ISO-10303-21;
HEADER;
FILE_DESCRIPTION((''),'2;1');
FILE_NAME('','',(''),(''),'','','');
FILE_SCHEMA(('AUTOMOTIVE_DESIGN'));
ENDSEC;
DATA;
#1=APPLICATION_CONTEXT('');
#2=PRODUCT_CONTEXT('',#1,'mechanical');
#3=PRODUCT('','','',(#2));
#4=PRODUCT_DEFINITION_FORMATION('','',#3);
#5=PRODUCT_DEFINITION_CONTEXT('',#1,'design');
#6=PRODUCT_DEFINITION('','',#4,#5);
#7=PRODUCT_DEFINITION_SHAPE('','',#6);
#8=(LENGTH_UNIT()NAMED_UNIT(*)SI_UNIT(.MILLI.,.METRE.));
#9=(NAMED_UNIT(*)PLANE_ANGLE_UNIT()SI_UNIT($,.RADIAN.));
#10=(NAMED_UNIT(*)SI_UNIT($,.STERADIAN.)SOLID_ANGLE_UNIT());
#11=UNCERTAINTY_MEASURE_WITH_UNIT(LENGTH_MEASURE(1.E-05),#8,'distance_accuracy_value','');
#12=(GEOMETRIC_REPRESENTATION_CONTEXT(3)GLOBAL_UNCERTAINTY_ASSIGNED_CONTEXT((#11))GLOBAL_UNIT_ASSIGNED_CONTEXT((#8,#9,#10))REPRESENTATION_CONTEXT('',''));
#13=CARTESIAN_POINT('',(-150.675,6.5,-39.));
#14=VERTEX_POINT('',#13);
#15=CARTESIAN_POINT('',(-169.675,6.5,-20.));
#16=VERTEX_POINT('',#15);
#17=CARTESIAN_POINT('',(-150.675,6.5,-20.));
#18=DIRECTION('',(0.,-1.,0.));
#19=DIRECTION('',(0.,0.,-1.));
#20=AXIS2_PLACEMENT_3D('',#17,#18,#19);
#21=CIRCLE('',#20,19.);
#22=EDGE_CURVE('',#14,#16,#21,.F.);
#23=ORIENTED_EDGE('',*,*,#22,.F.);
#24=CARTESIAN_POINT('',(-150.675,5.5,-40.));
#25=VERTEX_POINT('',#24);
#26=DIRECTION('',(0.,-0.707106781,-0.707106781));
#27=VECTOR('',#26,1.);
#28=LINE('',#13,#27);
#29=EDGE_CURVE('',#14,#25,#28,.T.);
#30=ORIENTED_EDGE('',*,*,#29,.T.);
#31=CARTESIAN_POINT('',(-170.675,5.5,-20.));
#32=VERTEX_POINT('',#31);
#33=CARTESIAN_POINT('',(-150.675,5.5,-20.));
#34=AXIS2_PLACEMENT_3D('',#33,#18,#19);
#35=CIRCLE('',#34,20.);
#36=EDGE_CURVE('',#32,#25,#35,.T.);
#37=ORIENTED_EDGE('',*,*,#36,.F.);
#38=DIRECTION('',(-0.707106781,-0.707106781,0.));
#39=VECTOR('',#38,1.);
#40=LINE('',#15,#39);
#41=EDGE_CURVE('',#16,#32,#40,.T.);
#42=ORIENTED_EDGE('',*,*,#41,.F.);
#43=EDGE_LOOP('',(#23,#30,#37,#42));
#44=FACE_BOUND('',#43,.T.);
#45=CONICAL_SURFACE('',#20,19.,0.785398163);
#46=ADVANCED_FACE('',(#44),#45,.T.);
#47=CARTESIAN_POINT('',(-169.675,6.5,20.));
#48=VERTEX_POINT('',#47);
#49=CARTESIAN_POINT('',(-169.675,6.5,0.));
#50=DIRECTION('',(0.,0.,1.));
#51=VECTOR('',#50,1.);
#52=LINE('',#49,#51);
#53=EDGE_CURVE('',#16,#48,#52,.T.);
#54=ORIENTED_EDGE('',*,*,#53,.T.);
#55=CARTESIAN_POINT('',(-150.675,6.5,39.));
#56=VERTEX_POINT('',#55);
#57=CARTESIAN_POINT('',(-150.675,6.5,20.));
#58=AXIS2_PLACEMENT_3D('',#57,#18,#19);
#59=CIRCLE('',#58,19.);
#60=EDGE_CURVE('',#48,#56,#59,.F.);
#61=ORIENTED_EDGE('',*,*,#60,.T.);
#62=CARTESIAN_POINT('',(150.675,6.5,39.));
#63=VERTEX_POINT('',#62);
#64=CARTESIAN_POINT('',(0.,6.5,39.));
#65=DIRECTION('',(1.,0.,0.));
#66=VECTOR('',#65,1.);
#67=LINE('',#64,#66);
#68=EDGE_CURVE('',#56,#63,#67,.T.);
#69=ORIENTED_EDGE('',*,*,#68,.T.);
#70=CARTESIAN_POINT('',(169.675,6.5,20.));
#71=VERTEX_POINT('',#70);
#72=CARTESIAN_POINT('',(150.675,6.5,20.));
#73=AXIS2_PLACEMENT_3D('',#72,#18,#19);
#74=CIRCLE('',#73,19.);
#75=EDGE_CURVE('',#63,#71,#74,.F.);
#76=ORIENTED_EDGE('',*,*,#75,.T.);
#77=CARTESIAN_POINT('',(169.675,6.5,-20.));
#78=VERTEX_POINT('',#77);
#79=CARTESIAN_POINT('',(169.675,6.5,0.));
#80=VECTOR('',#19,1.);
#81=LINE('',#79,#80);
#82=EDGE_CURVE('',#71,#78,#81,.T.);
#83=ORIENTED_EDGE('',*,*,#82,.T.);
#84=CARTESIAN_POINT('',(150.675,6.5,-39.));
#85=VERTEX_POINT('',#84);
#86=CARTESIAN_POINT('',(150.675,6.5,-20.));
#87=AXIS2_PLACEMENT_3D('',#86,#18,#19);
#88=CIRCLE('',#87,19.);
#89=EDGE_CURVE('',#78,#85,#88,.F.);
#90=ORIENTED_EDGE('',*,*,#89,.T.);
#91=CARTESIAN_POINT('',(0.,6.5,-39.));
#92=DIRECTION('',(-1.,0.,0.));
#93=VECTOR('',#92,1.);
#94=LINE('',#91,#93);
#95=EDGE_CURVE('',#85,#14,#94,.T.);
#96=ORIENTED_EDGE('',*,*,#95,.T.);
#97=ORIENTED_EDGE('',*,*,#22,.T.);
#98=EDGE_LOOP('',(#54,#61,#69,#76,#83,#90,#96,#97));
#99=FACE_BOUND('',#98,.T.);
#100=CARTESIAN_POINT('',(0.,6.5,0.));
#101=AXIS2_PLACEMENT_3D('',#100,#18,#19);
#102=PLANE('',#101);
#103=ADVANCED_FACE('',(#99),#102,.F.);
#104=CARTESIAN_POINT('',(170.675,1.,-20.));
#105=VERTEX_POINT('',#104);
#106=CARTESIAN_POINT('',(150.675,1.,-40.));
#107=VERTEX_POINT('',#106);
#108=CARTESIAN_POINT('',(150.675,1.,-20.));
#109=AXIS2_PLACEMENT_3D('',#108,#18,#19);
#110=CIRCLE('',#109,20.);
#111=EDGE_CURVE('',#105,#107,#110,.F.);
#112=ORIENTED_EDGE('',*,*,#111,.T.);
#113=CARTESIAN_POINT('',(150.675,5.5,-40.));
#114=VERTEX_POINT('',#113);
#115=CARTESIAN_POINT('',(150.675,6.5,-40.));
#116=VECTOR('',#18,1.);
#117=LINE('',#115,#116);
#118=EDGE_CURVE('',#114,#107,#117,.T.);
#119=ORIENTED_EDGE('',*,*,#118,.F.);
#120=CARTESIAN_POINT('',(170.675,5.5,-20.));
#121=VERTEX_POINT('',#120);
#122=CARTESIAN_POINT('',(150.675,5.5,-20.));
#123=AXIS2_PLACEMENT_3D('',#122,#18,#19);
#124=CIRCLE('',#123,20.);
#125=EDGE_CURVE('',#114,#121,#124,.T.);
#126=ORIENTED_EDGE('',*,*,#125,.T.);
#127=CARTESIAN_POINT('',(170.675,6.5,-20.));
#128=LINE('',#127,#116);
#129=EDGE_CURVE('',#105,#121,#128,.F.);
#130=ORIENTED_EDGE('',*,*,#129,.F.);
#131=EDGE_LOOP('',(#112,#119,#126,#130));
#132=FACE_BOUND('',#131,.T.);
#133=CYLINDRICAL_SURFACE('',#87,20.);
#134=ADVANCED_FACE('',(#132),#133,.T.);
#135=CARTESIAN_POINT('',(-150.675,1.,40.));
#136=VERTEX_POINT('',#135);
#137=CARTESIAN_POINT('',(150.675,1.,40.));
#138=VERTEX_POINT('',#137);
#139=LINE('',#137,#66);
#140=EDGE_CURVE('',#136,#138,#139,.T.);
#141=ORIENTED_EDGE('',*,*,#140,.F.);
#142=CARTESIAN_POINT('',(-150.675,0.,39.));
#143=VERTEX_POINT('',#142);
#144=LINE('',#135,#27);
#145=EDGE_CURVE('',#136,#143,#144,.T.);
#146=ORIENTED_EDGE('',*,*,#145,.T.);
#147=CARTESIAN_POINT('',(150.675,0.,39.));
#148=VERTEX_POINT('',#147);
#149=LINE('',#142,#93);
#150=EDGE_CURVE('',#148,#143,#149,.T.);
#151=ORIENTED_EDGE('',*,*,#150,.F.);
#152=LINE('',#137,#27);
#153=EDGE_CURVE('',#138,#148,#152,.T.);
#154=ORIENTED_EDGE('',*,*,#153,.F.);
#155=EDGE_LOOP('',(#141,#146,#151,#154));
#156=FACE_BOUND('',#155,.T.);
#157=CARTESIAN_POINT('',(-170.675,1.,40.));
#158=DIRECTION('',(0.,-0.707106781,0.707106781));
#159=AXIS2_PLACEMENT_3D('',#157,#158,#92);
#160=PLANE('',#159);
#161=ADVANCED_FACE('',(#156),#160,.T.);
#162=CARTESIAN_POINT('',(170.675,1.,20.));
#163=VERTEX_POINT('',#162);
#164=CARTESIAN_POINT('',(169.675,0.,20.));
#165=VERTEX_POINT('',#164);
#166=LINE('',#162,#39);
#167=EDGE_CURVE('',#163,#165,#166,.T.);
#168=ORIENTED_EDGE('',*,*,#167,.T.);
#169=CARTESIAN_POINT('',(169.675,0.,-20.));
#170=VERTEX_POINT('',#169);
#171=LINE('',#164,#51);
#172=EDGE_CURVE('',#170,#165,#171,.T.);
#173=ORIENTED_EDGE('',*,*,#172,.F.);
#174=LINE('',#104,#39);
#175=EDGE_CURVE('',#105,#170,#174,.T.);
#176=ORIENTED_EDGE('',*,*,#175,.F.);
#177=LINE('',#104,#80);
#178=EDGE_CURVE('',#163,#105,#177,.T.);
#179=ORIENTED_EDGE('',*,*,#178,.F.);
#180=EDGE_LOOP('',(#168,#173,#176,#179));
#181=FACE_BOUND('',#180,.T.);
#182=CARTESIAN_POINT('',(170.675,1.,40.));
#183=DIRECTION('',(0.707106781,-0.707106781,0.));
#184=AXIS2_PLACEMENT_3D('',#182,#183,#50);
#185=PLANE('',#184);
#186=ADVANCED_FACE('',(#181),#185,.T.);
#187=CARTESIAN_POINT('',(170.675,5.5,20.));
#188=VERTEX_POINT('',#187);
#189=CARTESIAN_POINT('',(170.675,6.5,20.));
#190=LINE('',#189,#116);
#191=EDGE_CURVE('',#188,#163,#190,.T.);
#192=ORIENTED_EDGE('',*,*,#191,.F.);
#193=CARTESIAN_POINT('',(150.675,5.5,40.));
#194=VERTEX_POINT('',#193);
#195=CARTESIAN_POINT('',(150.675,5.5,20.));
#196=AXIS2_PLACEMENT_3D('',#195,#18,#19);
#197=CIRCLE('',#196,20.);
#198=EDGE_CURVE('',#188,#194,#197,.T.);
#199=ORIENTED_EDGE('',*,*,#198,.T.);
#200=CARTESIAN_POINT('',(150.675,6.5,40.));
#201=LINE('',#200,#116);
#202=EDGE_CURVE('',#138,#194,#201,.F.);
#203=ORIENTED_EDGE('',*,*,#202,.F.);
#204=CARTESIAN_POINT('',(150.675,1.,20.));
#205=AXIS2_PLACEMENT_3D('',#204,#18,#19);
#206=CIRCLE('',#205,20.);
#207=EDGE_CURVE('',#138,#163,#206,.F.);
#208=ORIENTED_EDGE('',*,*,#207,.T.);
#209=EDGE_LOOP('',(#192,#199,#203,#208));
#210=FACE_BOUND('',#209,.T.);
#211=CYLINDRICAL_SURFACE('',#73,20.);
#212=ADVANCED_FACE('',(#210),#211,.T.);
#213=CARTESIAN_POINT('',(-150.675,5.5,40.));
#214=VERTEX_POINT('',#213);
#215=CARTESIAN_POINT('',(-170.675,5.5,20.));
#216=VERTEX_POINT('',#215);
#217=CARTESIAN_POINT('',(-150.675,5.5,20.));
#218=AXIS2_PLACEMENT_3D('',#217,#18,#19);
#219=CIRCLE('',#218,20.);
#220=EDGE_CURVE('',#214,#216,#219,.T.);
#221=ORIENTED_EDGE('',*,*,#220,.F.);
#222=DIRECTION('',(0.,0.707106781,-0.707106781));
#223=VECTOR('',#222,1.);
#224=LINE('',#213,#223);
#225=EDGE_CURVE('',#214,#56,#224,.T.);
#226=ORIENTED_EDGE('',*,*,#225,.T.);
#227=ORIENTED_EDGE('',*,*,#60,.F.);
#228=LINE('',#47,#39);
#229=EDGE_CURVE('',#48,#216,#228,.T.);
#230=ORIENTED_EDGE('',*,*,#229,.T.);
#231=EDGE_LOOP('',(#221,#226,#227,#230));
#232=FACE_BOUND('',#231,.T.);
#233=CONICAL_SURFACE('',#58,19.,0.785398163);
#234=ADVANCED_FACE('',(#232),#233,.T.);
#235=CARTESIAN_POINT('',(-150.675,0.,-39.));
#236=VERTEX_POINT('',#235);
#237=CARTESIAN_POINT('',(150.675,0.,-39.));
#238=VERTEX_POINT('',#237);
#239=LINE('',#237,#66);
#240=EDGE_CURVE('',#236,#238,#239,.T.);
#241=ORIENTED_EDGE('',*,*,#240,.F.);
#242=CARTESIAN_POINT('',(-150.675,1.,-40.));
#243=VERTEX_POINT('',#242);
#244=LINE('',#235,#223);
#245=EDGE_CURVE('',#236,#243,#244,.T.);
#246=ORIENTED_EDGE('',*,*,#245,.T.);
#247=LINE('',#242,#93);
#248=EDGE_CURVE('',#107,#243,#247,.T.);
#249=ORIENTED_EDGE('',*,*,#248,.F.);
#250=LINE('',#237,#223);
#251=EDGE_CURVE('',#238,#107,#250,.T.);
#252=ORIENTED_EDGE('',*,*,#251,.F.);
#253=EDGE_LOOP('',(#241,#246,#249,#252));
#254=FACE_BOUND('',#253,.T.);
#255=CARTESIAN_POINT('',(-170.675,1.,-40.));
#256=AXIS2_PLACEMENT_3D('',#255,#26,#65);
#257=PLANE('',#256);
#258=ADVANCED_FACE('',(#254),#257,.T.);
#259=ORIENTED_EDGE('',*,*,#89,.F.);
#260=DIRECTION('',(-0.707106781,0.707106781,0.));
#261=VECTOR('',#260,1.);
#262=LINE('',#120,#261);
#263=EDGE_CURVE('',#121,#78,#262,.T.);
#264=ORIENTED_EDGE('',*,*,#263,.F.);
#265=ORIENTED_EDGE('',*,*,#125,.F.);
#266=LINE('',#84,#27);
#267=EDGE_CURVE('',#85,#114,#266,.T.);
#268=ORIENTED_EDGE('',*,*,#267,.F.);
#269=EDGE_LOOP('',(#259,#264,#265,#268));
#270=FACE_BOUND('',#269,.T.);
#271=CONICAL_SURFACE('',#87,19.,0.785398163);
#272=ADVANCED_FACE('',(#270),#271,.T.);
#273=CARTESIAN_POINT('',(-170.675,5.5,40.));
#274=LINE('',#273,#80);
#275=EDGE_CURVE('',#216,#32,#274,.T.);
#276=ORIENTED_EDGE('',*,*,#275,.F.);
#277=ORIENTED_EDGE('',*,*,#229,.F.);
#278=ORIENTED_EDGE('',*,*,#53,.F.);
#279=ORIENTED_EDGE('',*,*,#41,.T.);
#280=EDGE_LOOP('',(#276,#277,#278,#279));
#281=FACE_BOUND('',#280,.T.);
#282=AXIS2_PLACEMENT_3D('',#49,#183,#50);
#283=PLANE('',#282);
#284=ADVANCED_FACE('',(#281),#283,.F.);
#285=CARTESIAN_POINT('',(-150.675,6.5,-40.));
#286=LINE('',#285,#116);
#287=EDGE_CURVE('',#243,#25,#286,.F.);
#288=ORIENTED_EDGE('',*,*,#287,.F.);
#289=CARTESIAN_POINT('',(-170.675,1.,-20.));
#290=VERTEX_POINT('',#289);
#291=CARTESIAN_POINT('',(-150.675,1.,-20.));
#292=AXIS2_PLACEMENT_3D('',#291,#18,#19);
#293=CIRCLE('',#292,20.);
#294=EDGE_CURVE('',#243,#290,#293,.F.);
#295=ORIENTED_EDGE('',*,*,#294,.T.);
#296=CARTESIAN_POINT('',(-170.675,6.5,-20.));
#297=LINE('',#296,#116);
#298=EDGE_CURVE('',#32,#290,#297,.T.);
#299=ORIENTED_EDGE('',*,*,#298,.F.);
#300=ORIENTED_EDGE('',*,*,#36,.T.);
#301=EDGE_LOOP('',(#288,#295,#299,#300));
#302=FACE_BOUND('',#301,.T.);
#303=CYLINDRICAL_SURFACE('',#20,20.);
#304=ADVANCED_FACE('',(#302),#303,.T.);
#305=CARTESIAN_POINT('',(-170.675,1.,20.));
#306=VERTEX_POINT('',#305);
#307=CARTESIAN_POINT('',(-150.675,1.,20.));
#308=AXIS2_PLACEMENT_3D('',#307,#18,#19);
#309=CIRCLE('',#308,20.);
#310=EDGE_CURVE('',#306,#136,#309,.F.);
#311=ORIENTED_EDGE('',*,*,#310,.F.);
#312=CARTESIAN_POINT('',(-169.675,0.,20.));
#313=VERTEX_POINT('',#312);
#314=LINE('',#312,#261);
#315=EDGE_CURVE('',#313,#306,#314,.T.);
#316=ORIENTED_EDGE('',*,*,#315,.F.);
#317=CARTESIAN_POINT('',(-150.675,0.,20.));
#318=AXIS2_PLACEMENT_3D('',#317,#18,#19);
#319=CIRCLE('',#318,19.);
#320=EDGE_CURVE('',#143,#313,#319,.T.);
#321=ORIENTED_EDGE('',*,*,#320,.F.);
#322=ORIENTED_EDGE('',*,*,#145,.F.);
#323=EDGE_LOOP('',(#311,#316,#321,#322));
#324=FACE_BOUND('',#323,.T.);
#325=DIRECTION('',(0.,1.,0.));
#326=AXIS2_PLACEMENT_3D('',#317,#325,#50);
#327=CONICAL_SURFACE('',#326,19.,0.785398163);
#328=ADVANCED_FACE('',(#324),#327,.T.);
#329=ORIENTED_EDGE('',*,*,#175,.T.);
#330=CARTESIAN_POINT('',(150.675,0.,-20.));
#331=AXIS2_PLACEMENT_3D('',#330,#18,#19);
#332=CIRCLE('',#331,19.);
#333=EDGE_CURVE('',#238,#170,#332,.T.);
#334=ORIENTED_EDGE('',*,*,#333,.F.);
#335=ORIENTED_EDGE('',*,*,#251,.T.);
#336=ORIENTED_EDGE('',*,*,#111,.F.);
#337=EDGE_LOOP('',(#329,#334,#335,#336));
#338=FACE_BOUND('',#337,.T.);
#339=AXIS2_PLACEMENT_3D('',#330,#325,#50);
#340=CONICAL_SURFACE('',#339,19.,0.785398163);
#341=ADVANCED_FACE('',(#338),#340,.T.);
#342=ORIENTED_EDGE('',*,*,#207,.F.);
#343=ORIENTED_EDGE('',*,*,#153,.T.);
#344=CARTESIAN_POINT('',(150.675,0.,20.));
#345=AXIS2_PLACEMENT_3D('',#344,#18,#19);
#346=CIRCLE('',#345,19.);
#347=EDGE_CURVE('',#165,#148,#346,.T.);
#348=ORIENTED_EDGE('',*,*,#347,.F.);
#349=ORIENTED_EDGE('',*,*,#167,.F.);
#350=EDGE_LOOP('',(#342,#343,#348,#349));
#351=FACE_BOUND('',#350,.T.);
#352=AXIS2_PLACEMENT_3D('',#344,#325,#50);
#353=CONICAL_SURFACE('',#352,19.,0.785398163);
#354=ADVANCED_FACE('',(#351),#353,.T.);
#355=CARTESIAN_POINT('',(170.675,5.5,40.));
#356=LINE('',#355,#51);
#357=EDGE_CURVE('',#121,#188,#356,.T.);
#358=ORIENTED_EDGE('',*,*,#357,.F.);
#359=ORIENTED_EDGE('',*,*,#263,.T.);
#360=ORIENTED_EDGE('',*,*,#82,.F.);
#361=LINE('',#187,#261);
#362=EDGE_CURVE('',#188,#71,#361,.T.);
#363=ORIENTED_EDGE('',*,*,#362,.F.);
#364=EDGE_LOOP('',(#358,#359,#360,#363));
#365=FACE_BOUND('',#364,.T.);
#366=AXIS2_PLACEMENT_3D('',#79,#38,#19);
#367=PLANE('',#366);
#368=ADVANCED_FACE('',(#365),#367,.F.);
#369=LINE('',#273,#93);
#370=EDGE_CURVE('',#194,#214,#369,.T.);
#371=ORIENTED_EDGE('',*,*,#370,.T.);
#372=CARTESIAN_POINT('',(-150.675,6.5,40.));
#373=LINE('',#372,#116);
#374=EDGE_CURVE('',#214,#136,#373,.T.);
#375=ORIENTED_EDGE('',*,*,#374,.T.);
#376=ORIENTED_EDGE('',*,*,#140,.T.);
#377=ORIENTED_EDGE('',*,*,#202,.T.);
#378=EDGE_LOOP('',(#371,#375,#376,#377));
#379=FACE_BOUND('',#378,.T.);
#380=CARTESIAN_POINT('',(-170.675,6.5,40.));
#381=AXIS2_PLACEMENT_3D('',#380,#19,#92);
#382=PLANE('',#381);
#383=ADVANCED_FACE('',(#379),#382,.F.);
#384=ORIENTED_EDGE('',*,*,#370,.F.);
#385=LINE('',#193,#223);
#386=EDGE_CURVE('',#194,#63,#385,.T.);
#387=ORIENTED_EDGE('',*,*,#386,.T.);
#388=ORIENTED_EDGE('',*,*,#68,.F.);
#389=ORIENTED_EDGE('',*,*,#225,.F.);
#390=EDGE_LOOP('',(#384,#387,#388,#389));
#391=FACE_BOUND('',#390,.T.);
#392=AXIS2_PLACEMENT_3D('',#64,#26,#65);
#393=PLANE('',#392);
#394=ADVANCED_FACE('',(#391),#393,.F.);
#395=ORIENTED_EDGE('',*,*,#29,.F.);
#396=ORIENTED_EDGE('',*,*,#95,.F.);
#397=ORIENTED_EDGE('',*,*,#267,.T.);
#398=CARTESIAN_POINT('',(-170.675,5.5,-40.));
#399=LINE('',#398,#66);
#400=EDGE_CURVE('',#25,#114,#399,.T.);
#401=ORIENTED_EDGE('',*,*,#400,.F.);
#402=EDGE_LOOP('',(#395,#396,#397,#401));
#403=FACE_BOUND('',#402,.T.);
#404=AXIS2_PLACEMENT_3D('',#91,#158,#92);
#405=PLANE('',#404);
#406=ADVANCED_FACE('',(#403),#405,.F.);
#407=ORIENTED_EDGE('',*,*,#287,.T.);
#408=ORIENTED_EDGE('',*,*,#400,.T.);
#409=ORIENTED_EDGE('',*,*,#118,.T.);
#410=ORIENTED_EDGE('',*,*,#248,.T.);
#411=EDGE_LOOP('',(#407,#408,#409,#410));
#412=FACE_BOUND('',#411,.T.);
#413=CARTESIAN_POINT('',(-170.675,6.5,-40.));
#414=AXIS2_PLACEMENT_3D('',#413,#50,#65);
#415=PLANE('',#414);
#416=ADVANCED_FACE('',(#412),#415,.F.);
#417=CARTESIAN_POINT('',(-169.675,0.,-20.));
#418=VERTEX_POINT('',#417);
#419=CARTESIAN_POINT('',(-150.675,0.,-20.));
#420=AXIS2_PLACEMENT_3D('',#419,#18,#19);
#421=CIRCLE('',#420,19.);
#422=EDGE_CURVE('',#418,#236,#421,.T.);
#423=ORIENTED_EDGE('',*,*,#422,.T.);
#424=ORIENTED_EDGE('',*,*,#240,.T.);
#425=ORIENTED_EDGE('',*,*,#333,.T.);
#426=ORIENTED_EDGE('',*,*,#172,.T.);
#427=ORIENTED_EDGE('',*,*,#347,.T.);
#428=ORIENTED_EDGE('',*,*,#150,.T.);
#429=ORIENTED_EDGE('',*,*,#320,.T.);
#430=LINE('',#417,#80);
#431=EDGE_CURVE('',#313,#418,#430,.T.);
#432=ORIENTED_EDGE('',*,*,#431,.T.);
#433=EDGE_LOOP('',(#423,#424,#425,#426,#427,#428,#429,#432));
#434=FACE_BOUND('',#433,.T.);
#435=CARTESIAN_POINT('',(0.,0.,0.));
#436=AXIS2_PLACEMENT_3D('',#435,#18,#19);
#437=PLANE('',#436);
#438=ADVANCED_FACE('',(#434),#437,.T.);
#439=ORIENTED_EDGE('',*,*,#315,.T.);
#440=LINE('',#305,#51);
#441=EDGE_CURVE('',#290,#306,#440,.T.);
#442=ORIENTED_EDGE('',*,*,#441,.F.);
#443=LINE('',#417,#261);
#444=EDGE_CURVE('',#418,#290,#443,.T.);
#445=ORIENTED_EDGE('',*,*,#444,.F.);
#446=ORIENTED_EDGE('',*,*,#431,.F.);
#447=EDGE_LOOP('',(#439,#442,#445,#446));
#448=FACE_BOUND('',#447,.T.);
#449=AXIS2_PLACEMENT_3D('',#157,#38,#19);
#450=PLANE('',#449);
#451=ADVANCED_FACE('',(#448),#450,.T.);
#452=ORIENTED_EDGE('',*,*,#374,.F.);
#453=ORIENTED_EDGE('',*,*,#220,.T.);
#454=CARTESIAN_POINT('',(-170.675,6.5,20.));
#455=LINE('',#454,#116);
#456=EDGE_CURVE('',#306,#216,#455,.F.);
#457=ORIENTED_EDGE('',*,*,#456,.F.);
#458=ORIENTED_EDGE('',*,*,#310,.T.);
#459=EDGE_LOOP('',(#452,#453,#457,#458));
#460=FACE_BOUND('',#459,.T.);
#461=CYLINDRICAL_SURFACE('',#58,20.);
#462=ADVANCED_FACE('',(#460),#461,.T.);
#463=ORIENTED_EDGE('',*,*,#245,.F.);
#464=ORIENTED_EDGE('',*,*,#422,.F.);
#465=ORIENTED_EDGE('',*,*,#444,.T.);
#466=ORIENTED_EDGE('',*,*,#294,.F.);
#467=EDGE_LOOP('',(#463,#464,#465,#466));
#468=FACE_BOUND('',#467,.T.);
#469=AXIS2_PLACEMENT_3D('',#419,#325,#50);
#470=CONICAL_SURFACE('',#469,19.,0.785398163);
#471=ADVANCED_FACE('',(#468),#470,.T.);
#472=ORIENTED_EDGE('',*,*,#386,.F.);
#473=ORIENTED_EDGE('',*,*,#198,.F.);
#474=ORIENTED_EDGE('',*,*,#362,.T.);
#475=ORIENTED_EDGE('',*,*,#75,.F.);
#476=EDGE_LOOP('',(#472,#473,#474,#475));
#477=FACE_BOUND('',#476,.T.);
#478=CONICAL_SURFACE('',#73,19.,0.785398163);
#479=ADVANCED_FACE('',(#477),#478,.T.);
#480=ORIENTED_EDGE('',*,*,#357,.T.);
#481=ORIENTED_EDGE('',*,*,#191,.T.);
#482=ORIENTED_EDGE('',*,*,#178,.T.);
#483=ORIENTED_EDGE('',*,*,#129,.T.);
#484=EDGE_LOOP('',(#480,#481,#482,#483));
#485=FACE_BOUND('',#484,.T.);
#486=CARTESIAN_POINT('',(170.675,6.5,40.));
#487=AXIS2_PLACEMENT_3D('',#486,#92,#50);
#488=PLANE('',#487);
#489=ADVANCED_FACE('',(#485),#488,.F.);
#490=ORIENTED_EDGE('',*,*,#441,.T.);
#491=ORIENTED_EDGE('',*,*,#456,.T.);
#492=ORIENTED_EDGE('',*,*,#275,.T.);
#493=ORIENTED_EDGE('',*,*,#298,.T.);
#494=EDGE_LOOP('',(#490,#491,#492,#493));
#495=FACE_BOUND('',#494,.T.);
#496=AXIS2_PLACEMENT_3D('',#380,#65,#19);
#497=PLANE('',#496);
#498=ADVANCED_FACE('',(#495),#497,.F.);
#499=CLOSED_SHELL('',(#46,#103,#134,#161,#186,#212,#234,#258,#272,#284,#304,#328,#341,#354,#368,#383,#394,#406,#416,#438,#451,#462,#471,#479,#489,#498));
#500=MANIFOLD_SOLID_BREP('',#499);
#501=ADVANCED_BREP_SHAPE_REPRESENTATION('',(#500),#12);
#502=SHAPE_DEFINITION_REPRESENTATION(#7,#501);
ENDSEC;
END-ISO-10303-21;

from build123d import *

# Parameters (mm, degrees)
SKETCH1_W           = 341.35
SKETCH1_H           = 80
BOSS_EXTRUDE1_DEPTH = 6.5
FILLET1_R           = 20
CHAMFER1_SIZE       = 1


with BuildPart() as part:
    # Sketch1 → Boss-Extrude1 (new body)
    with BuildSketch(Plane(origin=(0, 0, 0), x_dir=(1, 0, 0), z_dir=(0, 1, 0))):
        Rectangle(SKETCH1_W, SKETCH1_H)
    extrude(amount=BOSS_EXTRUDE1_DEPTH)

    # Fillet1
    fillet1_edges = [part.edges().sort_by_distance(p)[0] for p in [
        (170.675, 3.25, 40),
        (-170.675, 3.25, 40),
        (-170.675, 3.25, -40),
        (170.675, 3.25, -40),
    ]]
    fillet(fillet1_edges, radius=FILLET1_R)

    # Chamfer1
    chamfer1_edges = [part.edges().sort_by_distance(p)[0] for p in [
        (170.675, 0, 0),
        (170.675, 6.5, 0),
        (0, 0, 40),
        (-170.675, 0, 0),
        (0, 0, -40),
        (-164.817135624, 0, 34.142135624),
        (164.817135624, 0, -34.142135624),
        (-164.817135624, 0, -34.142135624),
        (164.817135624, 0, 34.142135624),
        (0, 6.5, 40),
        (0, 6.5, -40),
        (-170.675, 6.5, 0),
        (-164.817135624, 6.5, 34.142135624),
        (164.817135624, 6.5, -34.142135624),
        (-164.817135624, 6.5, -34.142135624),
        (164.817135624, 6.5, 34.142135624),
    ]]
    chamfer(chamfer1_edges, length=CHAMFER1_SIZE)


solid = part.part
